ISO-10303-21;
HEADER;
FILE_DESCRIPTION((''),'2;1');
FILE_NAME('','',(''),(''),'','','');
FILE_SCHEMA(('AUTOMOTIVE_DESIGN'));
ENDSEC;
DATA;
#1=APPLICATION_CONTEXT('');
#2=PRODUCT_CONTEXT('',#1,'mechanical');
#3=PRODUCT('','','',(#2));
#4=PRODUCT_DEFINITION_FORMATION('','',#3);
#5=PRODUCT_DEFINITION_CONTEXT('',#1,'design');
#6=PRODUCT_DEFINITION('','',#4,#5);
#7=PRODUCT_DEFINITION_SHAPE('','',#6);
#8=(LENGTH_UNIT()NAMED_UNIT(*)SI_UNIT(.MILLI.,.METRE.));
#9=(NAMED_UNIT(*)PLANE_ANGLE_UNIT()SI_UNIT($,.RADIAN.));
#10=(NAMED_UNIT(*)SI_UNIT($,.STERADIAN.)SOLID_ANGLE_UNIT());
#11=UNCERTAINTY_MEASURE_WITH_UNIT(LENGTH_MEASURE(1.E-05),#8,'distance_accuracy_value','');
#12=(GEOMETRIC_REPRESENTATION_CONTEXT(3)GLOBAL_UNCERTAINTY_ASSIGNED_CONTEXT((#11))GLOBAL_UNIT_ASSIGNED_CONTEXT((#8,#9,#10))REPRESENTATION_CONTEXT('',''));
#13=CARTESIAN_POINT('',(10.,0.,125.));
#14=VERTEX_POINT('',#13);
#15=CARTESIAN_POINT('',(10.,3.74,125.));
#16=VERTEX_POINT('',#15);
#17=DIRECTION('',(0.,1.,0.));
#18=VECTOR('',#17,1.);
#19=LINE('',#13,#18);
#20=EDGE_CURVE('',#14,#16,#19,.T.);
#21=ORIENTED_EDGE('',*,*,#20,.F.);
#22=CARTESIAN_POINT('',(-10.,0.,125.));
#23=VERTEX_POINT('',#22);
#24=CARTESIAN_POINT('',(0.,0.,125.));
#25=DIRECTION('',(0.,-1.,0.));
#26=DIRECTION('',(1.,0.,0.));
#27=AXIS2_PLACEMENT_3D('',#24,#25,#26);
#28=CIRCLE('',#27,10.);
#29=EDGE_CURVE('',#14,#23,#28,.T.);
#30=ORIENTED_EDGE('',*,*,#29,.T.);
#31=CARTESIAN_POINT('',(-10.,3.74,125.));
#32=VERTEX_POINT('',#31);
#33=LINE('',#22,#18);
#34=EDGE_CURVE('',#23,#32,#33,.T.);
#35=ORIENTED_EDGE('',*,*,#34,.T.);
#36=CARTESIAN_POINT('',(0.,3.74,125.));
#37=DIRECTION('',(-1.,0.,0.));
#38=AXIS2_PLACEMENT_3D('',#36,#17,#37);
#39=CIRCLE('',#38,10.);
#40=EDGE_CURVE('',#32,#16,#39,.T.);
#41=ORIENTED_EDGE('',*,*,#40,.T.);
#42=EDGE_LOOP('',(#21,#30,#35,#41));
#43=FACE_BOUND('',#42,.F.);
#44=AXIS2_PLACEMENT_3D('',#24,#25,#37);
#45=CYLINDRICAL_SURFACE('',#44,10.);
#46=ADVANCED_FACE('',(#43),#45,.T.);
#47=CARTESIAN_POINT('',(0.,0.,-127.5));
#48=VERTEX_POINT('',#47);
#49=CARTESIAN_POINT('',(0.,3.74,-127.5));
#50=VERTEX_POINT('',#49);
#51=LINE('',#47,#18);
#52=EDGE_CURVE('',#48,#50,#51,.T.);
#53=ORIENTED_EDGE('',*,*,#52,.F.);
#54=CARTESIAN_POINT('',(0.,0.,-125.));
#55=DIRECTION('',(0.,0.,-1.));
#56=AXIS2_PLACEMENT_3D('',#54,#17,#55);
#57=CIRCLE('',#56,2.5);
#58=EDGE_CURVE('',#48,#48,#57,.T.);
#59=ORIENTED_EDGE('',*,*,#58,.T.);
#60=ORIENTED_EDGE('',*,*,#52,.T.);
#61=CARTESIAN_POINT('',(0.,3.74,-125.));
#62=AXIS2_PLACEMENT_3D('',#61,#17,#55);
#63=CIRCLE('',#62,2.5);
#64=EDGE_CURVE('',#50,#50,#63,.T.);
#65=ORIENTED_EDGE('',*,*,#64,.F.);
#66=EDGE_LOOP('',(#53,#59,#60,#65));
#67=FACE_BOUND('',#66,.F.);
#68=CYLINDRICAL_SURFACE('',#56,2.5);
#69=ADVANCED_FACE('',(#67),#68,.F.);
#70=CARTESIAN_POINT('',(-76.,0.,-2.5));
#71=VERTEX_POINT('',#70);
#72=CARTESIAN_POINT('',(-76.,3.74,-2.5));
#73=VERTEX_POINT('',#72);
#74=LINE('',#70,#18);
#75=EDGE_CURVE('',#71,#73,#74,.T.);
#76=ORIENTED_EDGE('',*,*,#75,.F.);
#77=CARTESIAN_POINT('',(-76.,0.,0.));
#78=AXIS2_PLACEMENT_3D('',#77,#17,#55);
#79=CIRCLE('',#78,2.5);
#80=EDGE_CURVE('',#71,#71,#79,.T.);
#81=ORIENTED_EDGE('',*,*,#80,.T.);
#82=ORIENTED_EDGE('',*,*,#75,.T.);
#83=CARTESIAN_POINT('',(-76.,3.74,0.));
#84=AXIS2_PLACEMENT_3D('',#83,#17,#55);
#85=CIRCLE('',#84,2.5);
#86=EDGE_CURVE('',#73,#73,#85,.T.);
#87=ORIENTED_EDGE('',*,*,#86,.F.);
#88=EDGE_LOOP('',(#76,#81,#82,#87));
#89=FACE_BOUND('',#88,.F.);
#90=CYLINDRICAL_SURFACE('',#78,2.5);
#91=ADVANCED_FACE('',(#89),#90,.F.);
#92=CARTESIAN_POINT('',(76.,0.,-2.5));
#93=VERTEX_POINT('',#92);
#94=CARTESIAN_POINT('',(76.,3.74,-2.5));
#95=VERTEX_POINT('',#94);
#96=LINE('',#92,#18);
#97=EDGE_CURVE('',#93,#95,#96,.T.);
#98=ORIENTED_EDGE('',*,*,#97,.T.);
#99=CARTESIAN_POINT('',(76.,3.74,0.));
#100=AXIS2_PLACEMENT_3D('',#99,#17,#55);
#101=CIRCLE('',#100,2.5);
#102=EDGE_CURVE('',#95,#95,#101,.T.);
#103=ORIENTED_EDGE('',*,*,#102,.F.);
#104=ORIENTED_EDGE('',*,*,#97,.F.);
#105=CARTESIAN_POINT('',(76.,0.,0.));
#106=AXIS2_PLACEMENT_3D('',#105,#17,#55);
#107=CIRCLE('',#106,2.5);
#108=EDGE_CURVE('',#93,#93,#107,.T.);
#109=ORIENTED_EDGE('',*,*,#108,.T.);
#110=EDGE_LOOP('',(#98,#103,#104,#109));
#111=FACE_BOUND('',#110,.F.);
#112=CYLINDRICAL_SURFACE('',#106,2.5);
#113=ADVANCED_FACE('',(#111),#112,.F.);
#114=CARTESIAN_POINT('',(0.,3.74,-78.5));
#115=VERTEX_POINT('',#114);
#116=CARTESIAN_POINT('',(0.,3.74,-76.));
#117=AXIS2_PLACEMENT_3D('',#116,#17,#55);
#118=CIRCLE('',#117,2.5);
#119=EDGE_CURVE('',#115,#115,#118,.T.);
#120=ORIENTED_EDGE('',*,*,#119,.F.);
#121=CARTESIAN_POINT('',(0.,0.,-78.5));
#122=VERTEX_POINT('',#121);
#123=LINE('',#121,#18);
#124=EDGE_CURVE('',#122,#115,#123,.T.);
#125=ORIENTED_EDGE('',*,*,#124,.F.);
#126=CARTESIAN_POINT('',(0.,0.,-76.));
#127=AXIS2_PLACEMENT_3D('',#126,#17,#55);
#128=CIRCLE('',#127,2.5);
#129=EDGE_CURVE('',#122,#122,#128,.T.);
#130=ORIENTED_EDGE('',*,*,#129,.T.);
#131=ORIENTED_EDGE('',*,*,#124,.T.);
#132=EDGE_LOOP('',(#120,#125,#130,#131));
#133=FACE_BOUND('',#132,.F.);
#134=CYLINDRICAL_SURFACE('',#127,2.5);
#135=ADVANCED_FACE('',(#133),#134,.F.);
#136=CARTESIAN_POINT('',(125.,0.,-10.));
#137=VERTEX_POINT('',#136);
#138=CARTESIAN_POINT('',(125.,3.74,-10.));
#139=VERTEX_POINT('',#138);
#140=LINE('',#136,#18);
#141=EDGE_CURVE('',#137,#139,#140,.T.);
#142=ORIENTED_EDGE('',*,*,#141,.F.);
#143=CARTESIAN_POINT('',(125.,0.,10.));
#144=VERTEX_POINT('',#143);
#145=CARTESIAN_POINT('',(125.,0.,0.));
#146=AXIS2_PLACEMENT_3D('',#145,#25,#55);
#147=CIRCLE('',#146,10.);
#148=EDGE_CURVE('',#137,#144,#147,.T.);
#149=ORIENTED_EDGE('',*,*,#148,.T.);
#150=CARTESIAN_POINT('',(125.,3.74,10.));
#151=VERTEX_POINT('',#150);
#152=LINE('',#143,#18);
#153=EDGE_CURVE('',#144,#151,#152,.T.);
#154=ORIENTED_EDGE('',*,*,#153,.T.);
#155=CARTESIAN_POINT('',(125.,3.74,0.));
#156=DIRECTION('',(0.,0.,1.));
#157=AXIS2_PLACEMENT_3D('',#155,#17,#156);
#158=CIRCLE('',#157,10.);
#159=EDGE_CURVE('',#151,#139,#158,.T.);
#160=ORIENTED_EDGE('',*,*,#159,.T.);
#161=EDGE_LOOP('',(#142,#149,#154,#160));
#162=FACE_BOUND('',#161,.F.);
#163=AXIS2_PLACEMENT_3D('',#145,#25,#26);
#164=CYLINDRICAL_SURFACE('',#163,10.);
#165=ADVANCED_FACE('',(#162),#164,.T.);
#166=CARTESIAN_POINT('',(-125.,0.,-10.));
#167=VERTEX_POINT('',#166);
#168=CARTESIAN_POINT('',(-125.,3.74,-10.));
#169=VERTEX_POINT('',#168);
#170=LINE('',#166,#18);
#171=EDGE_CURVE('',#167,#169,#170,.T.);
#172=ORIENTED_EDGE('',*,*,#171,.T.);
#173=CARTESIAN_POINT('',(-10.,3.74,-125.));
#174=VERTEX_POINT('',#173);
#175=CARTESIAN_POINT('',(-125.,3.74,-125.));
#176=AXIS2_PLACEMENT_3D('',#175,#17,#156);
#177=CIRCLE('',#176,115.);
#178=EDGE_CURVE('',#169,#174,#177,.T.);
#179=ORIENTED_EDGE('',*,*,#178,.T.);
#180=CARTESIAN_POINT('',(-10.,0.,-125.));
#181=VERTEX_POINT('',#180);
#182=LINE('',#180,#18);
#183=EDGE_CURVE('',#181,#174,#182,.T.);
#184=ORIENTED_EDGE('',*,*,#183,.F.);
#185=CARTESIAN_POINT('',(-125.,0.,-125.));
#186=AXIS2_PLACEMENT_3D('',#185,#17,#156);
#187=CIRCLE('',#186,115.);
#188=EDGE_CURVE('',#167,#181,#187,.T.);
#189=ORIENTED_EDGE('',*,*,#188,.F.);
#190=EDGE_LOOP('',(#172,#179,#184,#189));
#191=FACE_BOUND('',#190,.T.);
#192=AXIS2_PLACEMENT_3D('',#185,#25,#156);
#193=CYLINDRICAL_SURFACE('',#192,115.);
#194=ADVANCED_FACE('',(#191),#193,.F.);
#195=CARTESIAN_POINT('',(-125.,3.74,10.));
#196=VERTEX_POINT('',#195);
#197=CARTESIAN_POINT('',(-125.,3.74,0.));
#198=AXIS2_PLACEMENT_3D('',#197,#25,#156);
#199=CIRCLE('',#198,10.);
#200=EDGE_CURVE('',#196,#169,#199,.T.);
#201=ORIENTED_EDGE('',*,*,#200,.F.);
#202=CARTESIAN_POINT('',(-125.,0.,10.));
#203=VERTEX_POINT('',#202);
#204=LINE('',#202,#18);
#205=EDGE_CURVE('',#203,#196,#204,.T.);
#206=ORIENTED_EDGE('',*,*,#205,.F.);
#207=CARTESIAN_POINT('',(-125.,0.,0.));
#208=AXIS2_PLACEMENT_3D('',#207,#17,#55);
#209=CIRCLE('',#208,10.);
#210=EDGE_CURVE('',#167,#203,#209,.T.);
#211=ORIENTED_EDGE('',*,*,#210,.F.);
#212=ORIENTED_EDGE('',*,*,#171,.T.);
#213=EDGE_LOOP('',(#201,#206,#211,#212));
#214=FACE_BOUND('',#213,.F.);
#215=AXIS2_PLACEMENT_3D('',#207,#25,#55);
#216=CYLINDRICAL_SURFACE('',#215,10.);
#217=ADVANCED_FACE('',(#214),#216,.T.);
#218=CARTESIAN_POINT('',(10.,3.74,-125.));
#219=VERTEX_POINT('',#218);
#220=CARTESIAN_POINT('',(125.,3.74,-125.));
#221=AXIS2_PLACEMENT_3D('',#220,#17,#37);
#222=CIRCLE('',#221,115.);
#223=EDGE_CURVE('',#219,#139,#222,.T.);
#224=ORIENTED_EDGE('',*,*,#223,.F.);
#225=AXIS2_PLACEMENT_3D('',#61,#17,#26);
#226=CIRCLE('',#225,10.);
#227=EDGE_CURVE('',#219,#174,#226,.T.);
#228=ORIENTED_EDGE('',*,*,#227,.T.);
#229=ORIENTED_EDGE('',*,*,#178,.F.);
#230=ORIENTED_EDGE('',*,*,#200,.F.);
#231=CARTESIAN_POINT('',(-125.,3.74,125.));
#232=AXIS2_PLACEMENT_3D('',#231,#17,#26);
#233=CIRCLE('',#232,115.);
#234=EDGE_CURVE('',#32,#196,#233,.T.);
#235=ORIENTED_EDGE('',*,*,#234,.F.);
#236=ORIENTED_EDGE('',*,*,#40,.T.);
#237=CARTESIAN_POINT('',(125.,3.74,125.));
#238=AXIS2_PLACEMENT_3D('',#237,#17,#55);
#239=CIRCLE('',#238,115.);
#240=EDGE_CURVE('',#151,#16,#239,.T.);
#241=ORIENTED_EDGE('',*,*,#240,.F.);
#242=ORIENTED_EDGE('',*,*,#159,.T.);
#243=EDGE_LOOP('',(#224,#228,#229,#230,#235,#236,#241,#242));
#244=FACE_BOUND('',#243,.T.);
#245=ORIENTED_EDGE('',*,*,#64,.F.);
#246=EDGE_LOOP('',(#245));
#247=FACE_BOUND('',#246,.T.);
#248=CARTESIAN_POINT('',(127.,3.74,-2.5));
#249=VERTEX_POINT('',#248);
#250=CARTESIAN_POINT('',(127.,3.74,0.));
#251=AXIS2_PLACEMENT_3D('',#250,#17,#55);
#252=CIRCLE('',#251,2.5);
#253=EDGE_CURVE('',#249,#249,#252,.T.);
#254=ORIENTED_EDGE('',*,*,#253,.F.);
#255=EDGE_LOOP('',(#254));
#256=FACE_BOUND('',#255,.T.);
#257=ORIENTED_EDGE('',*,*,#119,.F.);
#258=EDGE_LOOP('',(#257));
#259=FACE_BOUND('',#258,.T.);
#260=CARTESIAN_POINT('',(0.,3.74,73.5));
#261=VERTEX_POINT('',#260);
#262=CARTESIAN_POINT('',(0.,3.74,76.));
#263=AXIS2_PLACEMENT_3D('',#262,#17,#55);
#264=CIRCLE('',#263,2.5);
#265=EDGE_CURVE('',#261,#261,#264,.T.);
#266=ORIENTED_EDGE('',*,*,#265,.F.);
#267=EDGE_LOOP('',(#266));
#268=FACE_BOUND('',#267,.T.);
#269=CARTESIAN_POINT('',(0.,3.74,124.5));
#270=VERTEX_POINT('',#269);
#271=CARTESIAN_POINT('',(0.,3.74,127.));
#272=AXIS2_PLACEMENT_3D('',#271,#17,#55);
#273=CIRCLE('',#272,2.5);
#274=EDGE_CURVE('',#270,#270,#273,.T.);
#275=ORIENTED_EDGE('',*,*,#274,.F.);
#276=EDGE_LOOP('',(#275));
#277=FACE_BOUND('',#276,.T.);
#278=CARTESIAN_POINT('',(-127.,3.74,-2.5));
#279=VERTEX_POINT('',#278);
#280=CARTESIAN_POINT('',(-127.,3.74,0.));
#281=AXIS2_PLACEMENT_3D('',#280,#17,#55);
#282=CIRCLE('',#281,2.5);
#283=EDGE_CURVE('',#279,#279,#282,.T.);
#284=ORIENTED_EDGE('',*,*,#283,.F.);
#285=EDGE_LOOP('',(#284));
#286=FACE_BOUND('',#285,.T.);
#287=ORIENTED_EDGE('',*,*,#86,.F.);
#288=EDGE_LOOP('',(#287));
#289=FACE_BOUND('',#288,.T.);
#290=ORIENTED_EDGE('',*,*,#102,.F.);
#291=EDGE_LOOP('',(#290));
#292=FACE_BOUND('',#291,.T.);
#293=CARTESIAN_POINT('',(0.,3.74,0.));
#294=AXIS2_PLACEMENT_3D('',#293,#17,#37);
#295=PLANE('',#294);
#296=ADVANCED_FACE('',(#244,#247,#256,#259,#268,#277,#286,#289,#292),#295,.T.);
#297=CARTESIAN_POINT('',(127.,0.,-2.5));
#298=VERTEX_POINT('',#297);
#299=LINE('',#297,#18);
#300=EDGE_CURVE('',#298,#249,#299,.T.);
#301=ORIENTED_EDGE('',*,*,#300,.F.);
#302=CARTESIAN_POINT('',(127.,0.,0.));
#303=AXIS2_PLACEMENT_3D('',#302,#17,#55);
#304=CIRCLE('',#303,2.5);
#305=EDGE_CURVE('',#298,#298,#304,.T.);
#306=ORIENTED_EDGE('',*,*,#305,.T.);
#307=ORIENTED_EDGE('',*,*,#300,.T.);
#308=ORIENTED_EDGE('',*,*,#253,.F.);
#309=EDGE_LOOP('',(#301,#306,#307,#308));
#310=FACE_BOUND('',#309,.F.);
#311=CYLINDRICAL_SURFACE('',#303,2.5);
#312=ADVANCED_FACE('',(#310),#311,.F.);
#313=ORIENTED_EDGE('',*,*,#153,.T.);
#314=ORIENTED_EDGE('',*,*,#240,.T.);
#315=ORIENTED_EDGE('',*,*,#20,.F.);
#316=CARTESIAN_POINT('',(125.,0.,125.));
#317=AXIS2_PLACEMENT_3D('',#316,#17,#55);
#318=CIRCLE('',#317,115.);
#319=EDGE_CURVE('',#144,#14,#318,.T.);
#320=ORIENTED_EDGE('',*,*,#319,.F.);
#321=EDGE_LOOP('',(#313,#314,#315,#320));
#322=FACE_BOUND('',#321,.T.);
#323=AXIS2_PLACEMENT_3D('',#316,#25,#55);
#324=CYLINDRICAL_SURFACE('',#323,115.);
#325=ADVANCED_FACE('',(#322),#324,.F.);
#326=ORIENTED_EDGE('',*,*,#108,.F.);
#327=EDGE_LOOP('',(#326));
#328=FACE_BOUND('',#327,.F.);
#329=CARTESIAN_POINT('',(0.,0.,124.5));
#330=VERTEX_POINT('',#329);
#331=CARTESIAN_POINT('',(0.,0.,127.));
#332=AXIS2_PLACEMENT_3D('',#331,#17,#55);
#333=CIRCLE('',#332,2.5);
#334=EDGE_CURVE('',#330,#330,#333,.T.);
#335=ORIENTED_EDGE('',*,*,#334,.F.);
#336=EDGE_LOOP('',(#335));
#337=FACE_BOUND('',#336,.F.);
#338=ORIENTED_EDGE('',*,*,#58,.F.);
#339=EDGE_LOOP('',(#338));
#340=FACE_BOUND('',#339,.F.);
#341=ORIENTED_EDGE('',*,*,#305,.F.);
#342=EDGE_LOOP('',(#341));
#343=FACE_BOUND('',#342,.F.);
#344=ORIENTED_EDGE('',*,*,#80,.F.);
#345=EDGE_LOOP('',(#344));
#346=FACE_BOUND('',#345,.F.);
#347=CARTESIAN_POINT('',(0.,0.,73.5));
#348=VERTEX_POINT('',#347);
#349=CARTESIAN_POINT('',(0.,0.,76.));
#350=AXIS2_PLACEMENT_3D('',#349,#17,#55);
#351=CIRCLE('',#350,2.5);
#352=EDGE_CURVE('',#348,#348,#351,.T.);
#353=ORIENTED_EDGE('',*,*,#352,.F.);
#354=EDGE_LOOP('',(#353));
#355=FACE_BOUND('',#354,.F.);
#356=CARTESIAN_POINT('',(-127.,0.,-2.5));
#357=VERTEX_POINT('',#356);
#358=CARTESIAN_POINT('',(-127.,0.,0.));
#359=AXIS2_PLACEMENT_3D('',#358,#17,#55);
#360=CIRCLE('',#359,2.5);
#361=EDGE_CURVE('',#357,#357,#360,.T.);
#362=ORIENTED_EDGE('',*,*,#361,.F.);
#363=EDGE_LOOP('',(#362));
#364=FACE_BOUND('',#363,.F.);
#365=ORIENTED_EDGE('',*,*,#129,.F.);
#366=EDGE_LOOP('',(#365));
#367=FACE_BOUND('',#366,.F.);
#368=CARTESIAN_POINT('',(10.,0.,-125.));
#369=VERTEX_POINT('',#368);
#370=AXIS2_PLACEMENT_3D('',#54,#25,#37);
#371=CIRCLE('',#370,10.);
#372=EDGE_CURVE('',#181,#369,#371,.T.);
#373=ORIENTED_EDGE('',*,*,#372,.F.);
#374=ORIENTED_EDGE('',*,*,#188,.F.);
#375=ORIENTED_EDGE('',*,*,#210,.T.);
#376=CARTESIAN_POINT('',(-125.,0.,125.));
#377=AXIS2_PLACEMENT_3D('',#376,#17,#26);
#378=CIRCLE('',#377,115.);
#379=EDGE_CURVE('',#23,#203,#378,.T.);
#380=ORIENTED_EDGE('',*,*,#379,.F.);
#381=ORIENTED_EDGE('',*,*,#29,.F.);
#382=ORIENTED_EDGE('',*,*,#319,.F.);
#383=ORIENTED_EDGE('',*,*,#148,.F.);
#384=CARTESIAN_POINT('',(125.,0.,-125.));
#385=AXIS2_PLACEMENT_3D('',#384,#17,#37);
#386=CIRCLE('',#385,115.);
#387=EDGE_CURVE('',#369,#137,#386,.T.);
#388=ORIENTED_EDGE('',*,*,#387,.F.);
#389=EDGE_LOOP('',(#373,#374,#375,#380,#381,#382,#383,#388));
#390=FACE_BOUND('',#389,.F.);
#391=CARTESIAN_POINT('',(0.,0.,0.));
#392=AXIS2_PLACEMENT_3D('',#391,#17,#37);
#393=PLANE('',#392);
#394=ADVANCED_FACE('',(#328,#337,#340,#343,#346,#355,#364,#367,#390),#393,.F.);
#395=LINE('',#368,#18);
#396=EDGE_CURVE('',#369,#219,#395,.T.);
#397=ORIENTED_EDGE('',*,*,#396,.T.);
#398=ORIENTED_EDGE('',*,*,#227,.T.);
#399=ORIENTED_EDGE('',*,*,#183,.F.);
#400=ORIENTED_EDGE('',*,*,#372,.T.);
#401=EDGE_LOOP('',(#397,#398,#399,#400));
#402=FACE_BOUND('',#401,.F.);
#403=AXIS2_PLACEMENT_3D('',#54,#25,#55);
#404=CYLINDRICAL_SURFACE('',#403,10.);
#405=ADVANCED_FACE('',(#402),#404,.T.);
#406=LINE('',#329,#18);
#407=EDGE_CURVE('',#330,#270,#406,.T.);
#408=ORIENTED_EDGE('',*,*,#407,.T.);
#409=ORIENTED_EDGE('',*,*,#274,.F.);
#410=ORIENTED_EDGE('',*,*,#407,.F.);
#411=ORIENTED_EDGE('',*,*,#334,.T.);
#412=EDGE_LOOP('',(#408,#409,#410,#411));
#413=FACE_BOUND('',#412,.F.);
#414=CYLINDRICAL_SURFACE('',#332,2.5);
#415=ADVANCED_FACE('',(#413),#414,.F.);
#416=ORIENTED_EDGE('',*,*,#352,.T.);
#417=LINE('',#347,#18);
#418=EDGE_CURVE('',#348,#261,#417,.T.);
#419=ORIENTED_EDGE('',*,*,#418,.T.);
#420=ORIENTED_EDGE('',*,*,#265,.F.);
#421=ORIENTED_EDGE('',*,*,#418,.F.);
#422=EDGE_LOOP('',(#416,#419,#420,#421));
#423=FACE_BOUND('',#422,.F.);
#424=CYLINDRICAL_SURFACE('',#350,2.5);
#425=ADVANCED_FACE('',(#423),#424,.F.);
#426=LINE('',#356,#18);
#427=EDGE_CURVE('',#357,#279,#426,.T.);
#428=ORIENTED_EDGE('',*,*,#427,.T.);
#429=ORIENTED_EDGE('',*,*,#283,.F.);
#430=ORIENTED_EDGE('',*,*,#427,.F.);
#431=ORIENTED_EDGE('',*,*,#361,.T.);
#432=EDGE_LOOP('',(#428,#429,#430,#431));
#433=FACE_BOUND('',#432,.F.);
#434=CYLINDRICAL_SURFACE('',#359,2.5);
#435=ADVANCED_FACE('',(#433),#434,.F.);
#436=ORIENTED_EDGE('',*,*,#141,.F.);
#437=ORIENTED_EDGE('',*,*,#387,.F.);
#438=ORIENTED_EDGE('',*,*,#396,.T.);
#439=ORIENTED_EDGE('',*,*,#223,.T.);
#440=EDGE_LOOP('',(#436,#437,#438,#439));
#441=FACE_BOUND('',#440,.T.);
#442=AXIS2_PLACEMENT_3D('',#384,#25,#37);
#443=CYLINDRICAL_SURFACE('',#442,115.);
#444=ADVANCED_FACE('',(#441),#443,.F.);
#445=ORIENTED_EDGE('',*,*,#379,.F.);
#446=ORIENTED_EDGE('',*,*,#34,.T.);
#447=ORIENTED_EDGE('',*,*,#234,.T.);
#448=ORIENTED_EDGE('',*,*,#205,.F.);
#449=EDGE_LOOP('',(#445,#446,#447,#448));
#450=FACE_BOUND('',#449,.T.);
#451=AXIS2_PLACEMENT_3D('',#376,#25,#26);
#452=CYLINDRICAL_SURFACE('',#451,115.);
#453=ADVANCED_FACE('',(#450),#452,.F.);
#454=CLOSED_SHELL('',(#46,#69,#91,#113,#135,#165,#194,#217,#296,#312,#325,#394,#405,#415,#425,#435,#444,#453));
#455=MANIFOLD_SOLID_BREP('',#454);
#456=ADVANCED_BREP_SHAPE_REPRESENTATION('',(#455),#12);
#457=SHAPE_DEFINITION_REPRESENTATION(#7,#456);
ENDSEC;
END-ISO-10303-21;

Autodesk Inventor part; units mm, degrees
ref_plane "YZ Plane" through (0, 0, 0) normal (1, 0, 0) x (0, 1, 0)
ref_plane "XZ Plane" through (0, 0, 0) normal (0, 1, 0) x (-1, 0, 0)
ref_plane "XY Plane" through (0, 0, 0) normal (0, 0, 1) x (1, 0, 0)
sketch "Szkic1" plane through (0, 0, 0) normal (0, 1, 0) x (-1, 0, 0)
  line L0 (0, 0) -> (0, -135)
  line L1 (0, 0) -> (-135, 0)
  arc A0 (-10, -125) -> (0, -135) centre (0, -125) ccw
  arc A1 (-135, 0) -> (-125, -10) centre (-125, 0) ccw
  arc A2 (-10, -125) -> (-125, -10) centre (-125, -125) ccw
  line L2 (0, 0) -> (135, 0)
  arc A3 (0, -135) -> (10, -125) centre (0, -125) ccw
  arc A4 (125, -10) -> (135, 0) centre (125, 0) ccw
  arc A5 (125, -10) -> (10, -125) centre (125, -125) ccw
  line L3 (0, 0) -> (0, 135)
  arc A6 (0, 135) -> (-10, 125) centre (0, 125) ccw
  arc A7 (-125, 10) -> (-135, 0) centre (-125, 0) ccw
  arc A8 (-125, 10) -> (-10, 125) centre (-125, 125) ccw
  arc A9 (10, 125) -> (0, 135) centre (0, 125) ccw
  arc A10 (135, 0) -> (125, 10) centre (125, 0) ccw
  arc A11 (10, 125) -> (125, 10) centre (125, 125) ccw
  circle A12 centre (-127, 0) radius 2.5
  circle A13 centre (-76, 0) radius 2.5
  circle A14 centre (0, 127) radius 2.5
  circle A15 centre (0, 76) radius 2.5
  circle A16 centre (0, -127) radius 2.5
  circle A17 centre (0, -76) radius 2.5
  circle A18 centre (127, 0) radius 2.5
  circle A19 centre (76, 0) radius 2.5
  dimension "d13" = 135
  dimension "d14" = 135
  dimension "d15" = 20
  dimension "d16" = 20
  dimension "d17" = 115
  dimension "d18" = 125
  dimension "sruba" = 5
  dimension "d20" = 8
  dimension "d21" = 5
  dimension "d22" = 51
  dimension "d23" = 5
  dimension "d24" = 5
  dimension "d25" = 8
  dimension "d26" = 51
extrude "Wyciągnięcie proste1" add sketch "Szkic1" along normal blind 3.74
sketch "Szkic2" plane through (0, 0, 0) normal (0, -1, 0) x (1, 0, 0)
  arc A0 (-10, -125) -> (10, -125) centre (0, -125) ccw projected
  circle A1 centre (-127, 0) radius 2.5 projected
  circle A2 centre (-76, 0) radius 2.5 projected
  circle A3 centre (76, 0) radius 2.5 projected
  circle A4 centre (127, 0) radius 2.5 projected
  circle A5 centre (0, -76) radius 2.5 projected
  circle A6 centre (0, 76) radius 2.5 projected
  circle A7 centre (0, 127) radius 2.5 projected
  circle A8 centre (0, -127) radius 2.5 projected
  point P0 (0, 0)
hole "Otwór1" at (0, 0, 127) at (0, 0, 76) at (-127, 0, 0) at (-76, 0, 0) at (0, 0, -76) at (0, 0, -125) at (76, 0, 0) at (127, 0, 0) direction (0, 1, 0) diameter 5 depth 8 tip angle 118
equation "\"d14\" = d13"
equation "\"d16\" = d15"
equation "\"d21\" = sruba"
equation "\"d23\" = sruba"
equation "\"d24\" = sruba"
equation "\"d25\" = d20"
equation "\"d26\" = d22"
equation "\"d27\" = sruba"
properties part number "Podstawa" material "Tworzywo sztuczne ABS"
